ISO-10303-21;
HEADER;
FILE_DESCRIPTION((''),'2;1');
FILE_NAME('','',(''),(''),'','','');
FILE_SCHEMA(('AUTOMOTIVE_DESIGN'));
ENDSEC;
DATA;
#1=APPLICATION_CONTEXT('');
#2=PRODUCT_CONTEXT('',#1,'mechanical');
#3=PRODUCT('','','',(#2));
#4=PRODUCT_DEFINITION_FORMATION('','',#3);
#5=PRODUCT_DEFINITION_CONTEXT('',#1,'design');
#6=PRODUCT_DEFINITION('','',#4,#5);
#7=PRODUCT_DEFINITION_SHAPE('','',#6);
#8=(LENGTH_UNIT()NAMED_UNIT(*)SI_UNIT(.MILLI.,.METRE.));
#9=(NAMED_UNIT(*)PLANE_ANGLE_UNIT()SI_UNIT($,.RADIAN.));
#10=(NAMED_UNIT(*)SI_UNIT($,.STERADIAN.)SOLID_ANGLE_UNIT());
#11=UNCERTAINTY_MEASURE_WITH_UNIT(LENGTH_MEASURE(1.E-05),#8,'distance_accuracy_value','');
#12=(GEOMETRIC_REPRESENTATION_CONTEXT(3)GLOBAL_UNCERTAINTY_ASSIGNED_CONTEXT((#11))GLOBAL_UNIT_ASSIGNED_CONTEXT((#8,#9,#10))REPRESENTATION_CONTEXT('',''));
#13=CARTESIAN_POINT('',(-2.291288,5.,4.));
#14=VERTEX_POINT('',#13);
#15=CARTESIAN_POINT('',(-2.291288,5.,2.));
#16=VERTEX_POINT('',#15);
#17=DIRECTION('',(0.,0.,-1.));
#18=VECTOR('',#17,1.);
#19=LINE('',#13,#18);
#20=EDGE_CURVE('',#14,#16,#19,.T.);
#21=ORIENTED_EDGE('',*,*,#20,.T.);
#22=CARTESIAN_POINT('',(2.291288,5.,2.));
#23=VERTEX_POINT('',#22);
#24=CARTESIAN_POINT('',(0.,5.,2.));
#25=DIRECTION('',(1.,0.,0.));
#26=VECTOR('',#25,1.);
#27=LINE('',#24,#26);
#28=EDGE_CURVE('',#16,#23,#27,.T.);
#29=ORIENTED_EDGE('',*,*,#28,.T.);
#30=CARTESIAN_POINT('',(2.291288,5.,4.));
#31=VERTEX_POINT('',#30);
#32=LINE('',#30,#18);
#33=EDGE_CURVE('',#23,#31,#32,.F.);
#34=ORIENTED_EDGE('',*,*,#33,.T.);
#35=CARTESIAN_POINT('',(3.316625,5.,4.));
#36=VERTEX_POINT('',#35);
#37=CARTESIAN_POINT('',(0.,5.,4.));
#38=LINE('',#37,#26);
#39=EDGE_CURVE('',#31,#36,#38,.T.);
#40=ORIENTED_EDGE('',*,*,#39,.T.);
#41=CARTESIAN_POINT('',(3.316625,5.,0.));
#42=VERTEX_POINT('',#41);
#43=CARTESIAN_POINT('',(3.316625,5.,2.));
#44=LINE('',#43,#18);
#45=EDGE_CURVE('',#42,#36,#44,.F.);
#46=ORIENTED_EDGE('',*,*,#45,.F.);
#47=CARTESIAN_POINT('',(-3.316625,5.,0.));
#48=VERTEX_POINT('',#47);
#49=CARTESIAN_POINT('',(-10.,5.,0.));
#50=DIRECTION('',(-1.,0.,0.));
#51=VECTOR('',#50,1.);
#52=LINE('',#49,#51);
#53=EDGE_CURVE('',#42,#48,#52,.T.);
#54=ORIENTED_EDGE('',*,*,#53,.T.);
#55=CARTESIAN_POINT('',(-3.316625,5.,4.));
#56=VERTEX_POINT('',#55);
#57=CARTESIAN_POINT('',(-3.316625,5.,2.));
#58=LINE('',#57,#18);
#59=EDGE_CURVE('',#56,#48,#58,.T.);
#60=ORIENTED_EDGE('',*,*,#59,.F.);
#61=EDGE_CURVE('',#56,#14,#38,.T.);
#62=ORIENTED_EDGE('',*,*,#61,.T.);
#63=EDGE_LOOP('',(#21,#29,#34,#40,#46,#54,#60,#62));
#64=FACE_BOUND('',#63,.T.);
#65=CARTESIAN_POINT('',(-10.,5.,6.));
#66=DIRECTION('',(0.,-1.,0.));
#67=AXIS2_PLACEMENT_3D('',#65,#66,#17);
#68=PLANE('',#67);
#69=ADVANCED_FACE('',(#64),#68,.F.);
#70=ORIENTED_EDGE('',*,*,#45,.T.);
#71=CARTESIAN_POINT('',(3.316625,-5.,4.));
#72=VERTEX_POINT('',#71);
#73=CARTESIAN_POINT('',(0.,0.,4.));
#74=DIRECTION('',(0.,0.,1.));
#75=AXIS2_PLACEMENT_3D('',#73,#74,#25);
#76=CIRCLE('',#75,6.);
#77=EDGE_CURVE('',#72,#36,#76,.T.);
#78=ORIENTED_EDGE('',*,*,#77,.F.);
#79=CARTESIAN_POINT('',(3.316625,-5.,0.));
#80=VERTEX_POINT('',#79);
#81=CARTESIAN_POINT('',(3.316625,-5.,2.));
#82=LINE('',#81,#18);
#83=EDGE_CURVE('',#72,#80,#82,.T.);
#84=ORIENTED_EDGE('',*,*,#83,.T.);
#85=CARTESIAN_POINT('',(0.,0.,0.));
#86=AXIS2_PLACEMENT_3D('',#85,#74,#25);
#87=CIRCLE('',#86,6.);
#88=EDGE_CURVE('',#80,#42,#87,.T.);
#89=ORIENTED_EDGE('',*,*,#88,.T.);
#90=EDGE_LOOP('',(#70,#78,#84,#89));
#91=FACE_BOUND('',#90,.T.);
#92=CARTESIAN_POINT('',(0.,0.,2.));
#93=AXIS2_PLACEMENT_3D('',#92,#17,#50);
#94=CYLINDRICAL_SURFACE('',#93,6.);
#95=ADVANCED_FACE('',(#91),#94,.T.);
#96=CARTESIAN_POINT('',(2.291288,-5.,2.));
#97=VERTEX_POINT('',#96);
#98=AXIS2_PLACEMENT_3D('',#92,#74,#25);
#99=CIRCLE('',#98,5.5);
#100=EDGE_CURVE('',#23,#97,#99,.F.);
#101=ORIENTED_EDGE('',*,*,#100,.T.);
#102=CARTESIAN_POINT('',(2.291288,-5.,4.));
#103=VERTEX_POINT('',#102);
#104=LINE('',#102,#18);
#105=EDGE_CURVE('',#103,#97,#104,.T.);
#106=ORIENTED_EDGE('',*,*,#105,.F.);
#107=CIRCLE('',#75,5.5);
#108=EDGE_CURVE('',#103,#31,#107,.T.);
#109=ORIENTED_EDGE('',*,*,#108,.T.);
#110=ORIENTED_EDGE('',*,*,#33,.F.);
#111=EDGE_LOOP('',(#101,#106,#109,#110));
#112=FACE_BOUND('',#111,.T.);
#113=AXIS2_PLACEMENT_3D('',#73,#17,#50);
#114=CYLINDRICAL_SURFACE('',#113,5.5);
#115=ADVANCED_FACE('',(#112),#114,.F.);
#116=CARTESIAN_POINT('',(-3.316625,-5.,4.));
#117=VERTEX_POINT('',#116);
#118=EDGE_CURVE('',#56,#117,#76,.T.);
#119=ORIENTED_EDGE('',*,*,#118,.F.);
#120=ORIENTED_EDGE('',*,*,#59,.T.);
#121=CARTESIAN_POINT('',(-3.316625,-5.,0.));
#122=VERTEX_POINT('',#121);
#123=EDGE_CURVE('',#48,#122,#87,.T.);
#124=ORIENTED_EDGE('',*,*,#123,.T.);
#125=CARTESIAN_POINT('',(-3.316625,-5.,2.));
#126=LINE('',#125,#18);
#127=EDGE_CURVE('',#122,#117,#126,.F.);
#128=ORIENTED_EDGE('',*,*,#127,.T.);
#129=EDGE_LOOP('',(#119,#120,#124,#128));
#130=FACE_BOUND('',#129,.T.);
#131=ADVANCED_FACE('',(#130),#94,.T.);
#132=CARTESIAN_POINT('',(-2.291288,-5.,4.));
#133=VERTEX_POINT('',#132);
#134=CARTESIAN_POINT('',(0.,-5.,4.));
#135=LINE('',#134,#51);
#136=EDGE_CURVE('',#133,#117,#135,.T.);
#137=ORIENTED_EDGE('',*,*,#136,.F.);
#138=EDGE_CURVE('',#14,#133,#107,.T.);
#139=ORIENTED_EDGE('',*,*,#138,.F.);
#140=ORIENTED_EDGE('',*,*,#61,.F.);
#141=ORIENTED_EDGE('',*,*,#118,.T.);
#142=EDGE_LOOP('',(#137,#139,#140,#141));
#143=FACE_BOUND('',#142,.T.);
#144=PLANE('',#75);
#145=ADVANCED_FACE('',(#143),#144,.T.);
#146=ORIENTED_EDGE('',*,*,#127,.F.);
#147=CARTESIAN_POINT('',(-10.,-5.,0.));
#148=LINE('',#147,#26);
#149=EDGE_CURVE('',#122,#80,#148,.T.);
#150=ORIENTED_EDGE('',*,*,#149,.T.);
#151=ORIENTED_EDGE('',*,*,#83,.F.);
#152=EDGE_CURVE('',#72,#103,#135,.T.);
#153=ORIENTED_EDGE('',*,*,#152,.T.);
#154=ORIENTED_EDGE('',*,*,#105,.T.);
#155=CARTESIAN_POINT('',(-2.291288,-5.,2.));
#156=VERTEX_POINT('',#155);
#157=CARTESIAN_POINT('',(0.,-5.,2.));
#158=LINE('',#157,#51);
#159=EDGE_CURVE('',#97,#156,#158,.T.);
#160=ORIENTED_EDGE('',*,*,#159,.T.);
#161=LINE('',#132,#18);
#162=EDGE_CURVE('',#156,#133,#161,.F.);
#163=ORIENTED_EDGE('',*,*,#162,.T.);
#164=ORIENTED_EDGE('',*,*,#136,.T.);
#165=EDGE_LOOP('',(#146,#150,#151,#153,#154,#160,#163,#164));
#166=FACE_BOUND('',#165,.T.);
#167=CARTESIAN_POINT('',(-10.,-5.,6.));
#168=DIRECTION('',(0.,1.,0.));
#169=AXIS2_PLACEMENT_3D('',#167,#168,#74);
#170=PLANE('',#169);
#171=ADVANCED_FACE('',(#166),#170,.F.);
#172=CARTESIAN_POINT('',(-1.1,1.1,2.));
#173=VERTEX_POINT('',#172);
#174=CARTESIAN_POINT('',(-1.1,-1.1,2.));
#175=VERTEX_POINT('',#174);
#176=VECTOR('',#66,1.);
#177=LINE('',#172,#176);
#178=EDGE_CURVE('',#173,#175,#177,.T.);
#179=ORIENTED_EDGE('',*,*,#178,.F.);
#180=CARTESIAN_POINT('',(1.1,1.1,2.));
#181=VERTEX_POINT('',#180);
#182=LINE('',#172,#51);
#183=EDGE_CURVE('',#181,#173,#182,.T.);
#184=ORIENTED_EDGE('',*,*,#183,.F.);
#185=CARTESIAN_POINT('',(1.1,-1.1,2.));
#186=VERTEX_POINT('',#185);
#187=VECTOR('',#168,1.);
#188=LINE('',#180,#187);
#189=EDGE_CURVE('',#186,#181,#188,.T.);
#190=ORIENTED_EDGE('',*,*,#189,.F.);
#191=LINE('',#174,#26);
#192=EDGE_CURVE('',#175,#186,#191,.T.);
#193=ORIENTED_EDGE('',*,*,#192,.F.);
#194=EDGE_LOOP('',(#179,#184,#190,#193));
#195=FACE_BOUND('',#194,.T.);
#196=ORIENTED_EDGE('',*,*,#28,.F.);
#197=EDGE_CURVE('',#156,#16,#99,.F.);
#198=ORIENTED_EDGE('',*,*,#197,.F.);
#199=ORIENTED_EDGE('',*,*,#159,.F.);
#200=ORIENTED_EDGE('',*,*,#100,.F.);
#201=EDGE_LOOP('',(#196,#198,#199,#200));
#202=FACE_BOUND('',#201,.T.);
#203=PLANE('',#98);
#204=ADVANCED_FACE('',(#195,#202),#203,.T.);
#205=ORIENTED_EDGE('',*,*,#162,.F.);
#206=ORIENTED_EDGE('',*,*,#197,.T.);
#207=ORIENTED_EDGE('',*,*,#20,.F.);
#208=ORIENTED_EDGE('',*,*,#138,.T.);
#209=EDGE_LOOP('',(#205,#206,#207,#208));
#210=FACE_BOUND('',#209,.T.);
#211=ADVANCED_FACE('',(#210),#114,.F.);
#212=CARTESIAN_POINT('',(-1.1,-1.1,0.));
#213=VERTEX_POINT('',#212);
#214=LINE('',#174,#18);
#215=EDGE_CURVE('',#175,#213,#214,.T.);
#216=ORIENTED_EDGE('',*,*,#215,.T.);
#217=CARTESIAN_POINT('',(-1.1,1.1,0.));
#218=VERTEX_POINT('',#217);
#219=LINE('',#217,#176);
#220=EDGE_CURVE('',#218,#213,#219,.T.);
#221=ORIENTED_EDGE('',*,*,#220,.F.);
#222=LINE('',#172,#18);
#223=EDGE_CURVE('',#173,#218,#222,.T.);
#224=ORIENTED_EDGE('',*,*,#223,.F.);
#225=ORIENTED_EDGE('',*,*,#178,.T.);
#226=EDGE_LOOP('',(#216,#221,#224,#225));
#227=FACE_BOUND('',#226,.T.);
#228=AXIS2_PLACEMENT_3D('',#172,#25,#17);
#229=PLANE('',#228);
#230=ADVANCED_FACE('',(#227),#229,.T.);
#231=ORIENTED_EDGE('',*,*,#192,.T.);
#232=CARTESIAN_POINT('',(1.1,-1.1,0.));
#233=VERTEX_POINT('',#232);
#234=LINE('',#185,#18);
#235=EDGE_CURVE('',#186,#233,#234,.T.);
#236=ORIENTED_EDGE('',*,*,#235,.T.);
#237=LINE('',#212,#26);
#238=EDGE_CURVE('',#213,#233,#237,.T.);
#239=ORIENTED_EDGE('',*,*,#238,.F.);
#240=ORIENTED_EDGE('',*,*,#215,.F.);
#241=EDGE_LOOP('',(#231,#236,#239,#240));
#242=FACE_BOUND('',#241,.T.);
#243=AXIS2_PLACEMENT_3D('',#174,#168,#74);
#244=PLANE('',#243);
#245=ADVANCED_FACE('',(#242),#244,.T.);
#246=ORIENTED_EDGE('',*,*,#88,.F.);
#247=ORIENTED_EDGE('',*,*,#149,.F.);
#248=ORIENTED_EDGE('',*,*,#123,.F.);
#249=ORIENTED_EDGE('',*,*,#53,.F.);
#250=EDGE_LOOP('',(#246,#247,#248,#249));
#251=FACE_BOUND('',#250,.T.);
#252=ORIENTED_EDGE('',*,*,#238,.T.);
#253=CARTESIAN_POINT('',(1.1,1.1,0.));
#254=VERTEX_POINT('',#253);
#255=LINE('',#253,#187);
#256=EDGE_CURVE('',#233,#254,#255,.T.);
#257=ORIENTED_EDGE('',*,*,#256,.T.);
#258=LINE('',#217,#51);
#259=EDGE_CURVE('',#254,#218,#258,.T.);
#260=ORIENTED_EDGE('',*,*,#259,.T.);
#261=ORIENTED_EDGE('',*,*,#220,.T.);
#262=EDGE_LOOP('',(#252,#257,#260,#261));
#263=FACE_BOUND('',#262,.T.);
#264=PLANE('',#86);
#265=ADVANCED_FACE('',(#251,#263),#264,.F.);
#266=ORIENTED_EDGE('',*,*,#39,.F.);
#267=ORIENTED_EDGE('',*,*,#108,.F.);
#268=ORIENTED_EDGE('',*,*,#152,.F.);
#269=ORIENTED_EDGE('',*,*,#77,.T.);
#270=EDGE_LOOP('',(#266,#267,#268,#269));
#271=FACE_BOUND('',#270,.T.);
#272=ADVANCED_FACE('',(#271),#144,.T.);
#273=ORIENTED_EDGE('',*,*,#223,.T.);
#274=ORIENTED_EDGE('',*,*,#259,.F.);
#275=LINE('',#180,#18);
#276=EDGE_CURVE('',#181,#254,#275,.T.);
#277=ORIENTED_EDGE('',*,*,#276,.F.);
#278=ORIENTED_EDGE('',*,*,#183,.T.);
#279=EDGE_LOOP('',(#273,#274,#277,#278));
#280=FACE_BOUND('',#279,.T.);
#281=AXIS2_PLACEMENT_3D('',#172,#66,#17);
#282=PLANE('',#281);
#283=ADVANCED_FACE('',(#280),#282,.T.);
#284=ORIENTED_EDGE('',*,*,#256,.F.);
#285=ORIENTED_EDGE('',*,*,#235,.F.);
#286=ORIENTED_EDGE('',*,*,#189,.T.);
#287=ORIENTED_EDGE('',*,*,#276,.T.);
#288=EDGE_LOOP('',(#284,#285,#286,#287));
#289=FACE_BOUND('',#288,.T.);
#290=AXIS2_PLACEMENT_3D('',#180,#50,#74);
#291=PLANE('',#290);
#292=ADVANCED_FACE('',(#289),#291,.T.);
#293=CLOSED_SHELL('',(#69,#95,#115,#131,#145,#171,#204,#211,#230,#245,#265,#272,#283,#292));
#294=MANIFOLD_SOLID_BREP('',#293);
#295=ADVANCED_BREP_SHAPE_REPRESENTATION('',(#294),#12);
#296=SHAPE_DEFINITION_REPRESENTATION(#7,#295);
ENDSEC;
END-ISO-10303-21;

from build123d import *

# Parameters (mm, degrees)
SKETCH1_R           = 6
BOSS_EXTRUDE1_DEPTH = 2
SKETCH2_R           = 6
SKETCH2_R_2         = 5.5
BOSS_EXTRUDE2_DEPTH = 2
SKETCH7_W           = 24
SKETCH7_H           = 12
SKETCH7_W_2         = 20
SKETCH7_H_2         = 10
CUT_EXTRUDE1_DEPTH  = 6
SKETCH4_W           = 2.2
SKETCH4_H           = 2.2
CUT_EXTRUDE2_DEPTH  = 2


with BuildPart() as part:
    # Sketch1 → Boss-Extrude1 (new body)
    with BuildSketch(Plane.XY):
        Circle(SKETCH1_R)
    extrude(amount=BOSS_EXTRUDE1_DEPTH)

    # Sketch2 → Boss-Extrude2 (add)
    with BuildSketch(Plane.XY.offset(2)):
        Circle(SKETCH2_R)
        Circle(SKETCH2_R_2, mode=Mode.SUBTRACT)
    extrude(amount=BOSS_EXTRUDE2_DEPTH)

    # Sketch7 → Cut-Extrude1 (cut)
    with BuildSketch(Plane.XY):
        Rectangle(SKETCH7_W, SKETCH7_H)
        Rectangle(SKETCH7_W_2, SKETCH7_H_2, mode=Mode.SUBTRACT)
    extrude(amount=CUT_EXTRUDE1_DEPTH, mode=Mode.SUBTRACT)

    # Sketch4 → Cut-Extrude2 (cut)
    with BuildSketch(Plane.XY):
        Rectangle(SKETCH4_W, SKETCH4_H)
    extrude(amount=CUT_EXTRUDE2_DEPTH, mode=Mode.SUBTRACT)


solid = part.part
